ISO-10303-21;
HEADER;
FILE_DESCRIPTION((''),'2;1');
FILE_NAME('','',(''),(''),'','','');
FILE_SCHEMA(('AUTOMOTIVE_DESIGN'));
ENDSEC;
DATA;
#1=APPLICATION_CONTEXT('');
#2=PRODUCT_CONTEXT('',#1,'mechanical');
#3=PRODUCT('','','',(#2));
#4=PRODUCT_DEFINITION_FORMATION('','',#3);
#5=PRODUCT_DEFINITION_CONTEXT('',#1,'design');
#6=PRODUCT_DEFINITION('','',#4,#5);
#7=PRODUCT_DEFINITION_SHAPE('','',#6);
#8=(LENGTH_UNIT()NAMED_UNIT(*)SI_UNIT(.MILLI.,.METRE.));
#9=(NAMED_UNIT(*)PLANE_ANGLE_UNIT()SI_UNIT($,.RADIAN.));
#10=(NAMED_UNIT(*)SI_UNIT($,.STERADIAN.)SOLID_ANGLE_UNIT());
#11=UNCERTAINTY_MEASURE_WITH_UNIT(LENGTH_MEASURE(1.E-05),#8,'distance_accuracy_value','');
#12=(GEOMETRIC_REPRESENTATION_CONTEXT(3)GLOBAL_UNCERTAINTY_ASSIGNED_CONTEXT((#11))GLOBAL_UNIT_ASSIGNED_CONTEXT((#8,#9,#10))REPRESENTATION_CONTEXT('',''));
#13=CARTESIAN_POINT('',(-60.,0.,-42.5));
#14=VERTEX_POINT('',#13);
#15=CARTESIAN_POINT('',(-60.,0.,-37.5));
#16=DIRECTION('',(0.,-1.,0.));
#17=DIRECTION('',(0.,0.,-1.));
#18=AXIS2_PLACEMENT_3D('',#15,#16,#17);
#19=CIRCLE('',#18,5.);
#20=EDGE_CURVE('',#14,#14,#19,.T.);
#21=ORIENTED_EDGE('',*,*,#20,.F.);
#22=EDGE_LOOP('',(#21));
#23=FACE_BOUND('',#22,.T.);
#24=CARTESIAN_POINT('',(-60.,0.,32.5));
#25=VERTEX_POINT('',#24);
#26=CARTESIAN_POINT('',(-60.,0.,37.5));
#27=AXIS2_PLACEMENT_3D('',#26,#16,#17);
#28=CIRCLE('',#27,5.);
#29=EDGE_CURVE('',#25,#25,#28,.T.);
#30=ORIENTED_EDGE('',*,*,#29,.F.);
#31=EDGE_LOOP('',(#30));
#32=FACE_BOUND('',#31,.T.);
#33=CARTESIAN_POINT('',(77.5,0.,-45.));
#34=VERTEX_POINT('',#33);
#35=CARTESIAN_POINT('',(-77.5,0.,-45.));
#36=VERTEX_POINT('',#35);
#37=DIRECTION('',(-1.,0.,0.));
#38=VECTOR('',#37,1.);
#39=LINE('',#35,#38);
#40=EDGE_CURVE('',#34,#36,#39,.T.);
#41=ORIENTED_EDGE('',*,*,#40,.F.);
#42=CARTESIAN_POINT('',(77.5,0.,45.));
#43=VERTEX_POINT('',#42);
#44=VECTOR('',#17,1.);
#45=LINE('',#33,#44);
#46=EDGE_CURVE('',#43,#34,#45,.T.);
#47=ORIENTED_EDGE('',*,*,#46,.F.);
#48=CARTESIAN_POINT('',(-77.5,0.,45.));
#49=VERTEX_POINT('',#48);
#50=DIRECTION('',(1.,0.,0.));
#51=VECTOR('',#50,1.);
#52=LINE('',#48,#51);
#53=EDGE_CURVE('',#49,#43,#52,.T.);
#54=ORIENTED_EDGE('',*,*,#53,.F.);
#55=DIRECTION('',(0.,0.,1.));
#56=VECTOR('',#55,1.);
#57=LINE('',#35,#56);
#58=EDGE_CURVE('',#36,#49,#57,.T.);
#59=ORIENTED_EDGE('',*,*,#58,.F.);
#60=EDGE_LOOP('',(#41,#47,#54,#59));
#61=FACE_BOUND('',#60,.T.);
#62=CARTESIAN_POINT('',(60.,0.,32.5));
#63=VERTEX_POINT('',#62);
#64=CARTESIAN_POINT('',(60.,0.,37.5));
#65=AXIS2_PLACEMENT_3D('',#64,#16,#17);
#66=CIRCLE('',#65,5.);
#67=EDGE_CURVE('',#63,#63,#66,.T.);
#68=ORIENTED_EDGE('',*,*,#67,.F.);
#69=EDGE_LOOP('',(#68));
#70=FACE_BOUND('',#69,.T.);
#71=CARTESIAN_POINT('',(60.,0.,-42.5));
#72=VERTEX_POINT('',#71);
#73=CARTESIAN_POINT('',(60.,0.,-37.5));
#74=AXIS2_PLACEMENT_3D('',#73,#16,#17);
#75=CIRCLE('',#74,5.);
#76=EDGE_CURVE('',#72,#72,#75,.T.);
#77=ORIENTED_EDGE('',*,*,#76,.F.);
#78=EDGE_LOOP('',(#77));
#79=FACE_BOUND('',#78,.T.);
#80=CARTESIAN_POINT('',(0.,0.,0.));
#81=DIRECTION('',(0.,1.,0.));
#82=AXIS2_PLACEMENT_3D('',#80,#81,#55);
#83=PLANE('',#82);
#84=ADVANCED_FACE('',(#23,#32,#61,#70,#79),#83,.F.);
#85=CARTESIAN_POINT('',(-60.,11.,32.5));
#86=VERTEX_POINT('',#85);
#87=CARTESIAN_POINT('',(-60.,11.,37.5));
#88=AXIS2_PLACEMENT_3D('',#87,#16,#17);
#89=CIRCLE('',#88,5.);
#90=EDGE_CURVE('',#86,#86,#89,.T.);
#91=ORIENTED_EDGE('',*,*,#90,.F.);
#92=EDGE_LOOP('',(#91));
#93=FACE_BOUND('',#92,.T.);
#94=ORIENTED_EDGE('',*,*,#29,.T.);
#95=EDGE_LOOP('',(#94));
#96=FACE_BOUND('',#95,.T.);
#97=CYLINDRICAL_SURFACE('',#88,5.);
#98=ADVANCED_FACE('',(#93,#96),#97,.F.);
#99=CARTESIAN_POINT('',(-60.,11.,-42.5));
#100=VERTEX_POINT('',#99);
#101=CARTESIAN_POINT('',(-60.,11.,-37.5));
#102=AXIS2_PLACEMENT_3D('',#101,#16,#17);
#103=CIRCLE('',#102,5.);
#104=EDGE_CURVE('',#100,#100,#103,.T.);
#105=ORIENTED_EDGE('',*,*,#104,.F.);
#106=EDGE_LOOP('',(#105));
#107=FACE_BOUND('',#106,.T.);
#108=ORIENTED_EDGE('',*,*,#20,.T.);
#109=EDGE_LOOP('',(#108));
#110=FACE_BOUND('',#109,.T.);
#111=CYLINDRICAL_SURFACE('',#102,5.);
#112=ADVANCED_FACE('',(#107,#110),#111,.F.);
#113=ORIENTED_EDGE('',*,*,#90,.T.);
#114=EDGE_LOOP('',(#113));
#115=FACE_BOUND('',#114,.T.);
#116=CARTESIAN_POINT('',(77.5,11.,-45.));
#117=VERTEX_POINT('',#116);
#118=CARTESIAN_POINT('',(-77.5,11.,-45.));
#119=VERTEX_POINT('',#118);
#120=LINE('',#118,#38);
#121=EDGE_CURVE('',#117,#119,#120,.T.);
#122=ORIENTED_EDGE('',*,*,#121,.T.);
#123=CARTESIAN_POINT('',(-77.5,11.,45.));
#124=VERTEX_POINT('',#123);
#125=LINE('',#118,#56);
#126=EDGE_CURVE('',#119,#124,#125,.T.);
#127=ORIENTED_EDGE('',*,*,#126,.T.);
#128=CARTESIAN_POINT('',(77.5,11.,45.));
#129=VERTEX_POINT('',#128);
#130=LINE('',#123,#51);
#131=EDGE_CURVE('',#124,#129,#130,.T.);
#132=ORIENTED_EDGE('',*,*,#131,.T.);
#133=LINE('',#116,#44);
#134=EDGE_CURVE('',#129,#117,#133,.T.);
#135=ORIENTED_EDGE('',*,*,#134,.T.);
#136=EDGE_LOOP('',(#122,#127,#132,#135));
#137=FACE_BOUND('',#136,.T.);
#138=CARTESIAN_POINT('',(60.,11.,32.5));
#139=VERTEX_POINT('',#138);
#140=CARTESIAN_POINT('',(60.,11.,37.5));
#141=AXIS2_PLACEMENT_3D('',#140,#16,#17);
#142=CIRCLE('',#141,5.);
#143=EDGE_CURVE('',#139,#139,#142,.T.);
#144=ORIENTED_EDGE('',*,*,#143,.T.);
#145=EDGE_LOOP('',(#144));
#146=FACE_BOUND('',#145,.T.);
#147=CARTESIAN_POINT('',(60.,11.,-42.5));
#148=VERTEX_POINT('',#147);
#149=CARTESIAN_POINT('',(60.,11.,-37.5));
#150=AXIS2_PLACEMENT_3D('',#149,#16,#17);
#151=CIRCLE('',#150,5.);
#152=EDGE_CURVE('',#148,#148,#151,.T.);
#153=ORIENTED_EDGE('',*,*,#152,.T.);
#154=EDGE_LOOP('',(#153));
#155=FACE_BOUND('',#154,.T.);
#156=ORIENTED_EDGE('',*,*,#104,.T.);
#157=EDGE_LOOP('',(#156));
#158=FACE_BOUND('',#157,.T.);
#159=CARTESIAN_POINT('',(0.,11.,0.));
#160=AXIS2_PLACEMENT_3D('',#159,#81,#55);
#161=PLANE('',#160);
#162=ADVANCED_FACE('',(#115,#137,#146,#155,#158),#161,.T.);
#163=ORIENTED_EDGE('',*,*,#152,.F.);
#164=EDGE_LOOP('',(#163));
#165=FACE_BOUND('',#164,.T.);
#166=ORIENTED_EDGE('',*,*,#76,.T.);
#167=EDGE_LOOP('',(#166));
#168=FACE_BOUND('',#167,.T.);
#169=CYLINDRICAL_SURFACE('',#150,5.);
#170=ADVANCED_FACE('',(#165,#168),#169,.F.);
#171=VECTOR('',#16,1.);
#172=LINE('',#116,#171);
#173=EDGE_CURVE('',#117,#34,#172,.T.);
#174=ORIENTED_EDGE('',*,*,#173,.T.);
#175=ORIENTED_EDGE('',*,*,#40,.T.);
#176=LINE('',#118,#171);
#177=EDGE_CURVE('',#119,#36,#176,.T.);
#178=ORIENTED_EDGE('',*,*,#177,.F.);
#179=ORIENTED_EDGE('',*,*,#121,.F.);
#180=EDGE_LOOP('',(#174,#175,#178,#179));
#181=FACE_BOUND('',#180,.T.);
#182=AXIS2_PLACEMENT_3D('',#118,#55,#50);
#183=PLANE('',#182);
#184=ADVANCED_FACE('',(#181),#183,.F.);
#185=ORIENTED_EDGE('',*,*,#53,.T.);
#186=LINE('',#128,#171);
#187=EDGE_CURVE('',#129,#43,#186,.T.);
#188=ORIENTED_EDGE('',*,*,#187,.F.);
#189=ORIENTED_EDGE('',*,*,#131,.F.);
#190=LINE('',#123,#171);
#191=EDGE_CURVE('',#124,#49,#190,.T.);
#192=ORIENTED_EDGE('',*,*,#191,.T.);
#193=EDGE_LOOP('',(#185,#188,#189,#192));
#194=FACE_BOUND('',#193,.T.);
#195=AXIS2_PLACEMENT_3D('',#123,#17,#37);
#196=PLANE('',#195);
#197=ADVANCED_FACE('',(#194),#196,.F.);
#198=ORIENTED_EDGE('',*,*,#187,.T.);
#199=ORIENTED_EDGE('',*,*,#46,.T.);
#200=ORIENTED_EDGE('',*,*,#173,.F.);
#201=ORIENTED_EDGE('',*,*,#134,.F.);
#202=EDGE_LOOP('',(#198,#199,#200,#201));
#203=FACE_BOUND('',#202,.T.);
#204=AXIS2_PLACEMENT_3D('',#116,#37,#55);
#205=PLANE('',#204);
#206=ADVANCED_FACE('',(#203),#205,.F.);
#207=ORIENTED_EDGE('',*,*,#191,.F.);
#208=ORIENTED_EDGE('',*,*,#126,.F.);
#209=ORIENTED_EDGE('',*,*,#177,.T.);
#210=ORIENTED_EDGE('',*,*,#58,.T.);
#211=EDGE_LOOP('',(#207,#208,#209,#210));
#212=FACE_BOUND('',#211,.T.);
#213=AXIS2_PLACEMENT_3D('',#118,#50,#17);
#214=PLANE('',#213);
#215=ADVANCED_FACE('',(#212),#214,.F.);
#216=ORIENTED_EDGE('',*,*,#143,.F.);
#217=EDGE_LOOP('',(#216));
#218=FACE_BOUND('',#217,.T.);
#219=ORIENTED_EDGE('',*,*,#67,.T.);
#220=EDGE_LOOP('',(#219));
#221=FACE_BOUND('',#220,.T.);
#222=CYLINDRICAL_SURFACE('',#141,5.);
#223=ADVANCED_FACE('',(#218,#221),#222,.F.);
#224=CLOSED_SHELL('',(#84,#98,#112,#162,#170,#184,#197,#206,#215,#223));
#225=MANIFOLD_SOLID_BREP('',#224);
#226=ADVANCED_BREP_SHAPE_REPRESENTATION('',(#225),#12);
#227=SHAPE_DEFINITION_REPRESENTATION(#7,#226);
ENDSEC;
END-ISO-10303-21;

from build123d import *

# Parameters (mm, degrees)
SKETCH_1_W          = 155
SKETCH_1_H          = 90
EXTRUDE_1_DEPTH     = 11
SKETCH_2_R          = 5
CUT_EXTRUDE_1_DEPTH = 91.289811164


with BuildPart() as part:
    # 草图1 → 凸台-拉伸1 (new body)
    with BuildSketch(Plane(origin=(0, 0, 0), x_dir=(1, 0, 0), z_dir=(0, 1, 0))):
        Rectangle(SKETCH_1_W, SKETCH_1_H)
    extrude(amount=EXTRUDE_1_DEPTH)

    # 草图2 → 切除-拉伸1 (cut, through all)
    with BuildSketch(Plane.XZ):
        with Locations(Location((60, -37.5, 0), (0, 0, 270))):
            Circle(SKETCH_2_R)
        with Locations(Location((60, 37.5, 0), (0, 0, 270))):
            Circle(SKETCH_2_R)
        with Locations(Location((-60, 37.5, 0), (0, 0, 270))):
            Circle(SKETCH_2_R)
        with Locations(Location((-60, -37.5, 0), (0, 0, 270))):
            Circle(SKETCH_2_R)
    extrude(amount=-CUT_EXTRUDE_1_DEPTH, mode=Mode.SUBTRACT)


solid = part.part
